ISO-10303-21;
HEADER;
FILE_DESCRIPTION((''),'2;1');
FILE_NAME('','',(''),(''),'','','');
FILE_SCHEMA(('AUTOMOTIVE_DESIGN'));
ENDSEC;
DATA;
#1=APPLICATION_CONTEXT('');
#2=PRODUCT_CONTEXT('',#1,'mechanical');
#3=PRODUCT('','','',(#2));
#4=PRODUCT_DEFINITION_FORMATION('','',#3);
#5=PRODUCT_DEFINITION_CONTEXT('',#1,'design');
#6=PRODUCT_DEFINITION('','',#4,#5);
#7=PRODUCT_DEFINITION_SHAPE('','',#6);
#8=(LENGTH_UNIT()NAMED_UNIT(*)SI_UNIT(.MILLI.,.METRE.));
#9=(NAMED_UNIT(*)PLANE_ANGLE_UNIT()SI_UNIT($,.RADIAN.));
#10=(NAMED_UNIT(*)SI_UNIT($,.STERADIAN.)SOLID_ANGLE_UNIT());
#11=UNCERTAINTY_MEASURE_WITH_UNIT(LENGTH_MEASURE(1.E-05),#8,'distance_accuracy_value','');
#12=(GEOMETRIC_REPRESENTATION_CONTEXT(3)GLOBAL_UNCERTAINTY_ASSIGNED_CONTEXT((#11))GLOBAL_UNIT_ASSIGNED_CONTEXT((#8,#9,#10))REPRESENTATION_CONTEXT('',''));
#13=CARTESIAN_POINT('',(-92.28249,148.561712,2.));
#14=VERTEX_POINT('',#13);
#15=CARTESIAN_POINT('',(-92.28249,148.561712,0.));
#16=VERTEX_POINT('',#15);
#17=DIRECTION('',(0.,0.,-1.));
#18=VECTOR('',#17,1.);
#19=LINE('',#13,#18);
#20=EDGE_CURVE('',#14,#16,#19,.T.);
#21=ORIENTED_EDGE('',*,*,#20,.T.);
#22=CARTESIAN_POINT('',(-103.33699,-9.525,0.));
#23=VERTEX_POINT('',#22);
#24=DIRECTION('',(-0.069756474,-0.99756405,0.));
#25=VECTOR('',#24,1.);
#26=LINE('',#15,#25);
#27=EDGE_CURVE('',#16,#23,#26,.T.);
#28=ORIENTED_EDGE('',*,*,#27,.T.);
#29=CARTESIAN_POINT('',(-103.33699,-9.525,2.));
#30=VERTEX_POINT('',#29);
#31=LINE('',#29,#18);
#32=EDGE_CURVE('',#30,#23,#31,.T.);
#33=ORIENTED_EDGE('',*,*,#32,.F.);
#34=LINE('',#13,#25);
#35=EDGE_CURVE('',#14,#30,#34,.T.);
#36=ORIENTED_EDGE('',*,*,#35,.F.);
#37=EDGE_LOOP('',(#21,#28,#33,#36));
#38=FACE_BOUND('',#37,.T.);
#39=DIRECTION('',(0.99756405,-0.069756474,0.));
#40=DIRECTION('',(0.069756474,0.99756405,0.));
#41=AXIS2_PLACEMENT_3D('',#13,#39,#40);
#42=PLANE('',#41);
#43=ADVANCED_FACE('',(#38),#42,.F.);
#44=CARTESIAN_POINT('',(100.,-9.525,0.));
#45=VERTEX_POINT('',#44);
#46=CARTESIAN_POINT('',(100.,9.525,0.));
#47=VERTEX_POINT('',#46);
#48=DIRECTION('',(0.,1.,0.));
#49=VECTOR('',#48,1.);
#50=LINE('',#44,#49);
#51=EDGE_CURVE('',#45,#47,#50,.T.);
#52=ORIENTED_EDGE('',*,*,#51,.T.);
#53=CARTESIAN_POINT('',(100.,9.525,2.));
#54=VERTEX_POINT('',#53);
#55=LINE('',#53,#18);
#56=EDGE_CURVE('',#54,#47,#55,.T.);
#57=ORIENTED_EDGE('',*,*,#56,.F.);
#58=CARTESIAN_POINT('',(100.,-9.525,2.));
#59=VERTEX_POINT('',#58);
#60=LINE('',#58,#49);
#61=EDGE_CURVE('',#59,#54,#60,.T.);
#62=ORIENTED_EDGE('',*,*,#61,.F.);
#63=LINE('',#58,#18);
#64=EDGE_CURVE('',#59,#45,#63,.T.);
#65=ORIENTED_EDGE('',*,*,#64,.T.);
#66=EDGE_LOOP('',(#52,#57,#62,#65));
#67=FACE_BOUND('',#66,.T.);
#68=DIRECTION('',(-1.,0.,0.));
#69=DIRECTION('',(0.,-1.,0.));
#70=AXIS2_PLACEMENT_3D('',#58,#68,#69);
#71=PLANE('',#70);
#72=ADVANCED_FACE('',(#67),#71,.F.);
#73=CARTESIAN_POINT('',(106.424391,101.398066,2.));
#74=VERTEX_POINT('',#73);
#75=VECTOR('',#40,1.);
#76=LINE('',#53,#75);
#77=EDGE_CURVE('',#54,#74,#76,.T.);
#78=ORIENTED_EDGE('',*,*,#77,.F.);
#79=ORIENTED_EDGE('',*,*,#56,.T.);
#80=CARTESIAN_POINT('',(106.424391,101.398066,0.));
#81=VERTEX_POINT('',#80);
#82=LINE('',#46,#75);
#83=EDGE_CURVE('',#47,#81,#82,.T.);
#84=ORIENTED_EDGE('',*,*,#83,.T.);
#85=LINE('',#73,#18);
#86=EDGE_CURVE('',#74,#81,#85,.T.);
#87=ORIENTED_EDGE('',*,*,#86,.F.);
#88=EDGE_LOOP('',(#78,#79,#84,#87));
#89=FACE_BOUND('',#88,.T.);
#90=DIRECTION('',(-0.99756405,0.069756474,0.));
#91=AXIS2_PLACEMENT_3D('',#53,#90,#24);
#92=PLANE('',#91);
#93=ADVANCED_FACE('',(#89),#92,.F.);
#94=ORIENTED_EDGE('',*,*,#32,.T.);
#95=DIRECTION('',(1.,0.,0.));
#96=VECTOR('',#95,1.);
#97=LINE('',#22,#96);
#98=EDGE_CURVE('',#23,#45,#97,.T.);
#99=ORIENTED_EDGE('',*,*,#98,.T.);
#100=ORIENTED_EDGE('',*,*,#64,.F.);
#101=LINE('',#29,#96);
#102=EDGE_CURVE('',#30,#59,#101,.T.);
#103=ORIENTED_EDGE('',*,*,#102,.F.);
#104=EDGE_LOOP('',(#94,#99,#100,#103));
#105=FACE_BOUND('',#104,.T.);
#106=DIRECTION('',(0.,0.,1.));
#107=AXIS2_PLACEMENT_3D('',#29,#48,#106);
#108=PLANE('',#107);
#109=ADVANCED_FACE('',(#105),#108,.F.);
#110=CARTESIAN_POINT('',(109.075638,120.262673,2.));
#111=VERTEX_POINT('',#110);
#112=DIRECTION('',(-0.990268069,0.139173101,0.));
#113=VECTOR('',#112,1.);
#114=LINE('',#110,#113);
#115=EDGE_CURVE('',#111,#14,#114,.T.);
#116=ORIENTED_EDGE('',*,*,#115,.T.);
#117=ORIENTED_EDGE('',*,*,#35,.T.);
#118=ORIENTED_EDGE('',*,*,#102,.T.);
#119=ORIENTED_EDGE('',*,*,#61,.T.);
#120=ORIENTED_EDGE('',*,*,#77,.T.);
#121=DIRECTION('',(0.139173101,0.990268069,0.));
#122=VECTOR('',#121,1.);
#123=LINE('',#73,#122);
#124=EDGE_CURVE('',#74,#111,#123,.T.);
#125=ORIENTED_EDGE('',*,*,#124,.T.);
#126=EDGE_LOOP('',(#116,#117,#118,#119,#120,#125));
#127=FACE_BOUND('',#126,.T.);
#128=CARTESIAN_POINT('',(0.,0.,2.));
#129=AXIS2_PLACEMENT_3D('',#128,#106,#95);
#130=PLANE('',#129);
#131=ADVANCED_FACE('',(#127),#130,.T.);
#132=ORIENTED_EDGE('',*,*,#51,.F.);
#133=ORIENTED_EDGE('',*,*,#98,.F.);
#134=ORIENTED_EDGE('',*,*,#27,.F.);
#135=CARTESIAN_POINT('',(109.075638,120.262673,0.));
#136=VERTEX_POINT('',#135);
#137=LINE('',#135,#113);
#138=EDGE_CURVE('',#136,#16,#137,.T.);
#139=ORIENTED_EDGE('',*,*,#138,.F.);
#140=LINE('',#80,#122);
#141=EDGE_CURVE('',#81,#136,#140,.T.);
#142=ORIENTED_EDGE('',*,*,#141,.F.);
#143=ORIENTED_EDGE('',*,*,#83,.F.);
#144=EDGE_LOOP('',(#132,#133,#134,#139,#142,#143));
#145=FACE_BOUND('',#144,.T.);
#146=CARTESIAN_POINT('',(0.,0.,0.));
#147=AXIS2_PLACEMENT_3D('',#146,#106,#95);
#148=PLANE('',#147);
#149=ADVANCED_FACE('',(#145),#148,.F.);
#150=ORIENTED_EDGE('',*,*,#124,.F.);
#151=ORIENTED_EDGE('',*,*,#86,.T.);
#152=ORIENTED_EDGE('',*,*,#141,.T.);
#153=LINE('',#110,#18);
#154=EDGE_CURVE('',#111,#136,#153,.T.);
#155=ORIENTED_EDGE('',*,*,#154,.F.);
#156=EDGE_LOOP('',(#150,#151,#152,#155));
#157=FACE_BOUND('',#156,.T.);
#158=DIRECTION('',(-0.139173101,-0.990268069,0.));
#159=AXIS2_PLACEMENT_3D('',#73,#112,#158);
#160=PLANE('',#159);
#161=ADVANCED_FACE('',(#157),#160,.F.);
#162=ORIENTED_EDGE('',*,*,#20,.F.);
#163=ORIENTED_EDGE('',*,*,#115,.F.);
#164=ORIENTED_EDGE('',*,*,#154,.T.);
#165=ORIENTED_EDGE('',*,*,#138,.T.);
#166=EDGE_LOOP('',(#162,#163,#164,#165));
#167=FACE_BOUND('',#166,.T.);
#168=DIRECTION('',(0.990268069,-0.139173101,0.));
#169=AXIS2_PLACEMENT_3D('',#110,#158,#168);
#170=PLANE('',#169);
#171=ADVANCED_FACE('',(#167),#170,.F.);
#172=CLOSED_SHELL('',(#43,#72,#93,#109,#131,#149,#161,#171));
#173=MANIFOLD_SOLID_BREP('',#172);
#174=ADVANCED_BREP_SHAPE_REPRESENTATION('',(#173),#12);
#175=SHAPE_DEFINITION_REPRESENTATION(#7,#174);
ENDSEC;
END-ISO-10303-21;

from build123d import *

# Parameters (mm, degrees)
BOSS_EXTRUDE1_DEPTH = 2


with BuildPart() as part:
    # Sketch1 → Boss-Extrude1 (new body)
    with BuildSketch(Plane.XY):
        Polygon((100, -9.525), (100, 9.525), (106.424390598, 101.398065839), (109.075638171, 120.262672549), (-92.282489788, 148.561711926), (-103.336989564, -9.525), align=None)
    extrude(amount=BOSS_EXTRUDE1_DEPTH)


solid = part.part
